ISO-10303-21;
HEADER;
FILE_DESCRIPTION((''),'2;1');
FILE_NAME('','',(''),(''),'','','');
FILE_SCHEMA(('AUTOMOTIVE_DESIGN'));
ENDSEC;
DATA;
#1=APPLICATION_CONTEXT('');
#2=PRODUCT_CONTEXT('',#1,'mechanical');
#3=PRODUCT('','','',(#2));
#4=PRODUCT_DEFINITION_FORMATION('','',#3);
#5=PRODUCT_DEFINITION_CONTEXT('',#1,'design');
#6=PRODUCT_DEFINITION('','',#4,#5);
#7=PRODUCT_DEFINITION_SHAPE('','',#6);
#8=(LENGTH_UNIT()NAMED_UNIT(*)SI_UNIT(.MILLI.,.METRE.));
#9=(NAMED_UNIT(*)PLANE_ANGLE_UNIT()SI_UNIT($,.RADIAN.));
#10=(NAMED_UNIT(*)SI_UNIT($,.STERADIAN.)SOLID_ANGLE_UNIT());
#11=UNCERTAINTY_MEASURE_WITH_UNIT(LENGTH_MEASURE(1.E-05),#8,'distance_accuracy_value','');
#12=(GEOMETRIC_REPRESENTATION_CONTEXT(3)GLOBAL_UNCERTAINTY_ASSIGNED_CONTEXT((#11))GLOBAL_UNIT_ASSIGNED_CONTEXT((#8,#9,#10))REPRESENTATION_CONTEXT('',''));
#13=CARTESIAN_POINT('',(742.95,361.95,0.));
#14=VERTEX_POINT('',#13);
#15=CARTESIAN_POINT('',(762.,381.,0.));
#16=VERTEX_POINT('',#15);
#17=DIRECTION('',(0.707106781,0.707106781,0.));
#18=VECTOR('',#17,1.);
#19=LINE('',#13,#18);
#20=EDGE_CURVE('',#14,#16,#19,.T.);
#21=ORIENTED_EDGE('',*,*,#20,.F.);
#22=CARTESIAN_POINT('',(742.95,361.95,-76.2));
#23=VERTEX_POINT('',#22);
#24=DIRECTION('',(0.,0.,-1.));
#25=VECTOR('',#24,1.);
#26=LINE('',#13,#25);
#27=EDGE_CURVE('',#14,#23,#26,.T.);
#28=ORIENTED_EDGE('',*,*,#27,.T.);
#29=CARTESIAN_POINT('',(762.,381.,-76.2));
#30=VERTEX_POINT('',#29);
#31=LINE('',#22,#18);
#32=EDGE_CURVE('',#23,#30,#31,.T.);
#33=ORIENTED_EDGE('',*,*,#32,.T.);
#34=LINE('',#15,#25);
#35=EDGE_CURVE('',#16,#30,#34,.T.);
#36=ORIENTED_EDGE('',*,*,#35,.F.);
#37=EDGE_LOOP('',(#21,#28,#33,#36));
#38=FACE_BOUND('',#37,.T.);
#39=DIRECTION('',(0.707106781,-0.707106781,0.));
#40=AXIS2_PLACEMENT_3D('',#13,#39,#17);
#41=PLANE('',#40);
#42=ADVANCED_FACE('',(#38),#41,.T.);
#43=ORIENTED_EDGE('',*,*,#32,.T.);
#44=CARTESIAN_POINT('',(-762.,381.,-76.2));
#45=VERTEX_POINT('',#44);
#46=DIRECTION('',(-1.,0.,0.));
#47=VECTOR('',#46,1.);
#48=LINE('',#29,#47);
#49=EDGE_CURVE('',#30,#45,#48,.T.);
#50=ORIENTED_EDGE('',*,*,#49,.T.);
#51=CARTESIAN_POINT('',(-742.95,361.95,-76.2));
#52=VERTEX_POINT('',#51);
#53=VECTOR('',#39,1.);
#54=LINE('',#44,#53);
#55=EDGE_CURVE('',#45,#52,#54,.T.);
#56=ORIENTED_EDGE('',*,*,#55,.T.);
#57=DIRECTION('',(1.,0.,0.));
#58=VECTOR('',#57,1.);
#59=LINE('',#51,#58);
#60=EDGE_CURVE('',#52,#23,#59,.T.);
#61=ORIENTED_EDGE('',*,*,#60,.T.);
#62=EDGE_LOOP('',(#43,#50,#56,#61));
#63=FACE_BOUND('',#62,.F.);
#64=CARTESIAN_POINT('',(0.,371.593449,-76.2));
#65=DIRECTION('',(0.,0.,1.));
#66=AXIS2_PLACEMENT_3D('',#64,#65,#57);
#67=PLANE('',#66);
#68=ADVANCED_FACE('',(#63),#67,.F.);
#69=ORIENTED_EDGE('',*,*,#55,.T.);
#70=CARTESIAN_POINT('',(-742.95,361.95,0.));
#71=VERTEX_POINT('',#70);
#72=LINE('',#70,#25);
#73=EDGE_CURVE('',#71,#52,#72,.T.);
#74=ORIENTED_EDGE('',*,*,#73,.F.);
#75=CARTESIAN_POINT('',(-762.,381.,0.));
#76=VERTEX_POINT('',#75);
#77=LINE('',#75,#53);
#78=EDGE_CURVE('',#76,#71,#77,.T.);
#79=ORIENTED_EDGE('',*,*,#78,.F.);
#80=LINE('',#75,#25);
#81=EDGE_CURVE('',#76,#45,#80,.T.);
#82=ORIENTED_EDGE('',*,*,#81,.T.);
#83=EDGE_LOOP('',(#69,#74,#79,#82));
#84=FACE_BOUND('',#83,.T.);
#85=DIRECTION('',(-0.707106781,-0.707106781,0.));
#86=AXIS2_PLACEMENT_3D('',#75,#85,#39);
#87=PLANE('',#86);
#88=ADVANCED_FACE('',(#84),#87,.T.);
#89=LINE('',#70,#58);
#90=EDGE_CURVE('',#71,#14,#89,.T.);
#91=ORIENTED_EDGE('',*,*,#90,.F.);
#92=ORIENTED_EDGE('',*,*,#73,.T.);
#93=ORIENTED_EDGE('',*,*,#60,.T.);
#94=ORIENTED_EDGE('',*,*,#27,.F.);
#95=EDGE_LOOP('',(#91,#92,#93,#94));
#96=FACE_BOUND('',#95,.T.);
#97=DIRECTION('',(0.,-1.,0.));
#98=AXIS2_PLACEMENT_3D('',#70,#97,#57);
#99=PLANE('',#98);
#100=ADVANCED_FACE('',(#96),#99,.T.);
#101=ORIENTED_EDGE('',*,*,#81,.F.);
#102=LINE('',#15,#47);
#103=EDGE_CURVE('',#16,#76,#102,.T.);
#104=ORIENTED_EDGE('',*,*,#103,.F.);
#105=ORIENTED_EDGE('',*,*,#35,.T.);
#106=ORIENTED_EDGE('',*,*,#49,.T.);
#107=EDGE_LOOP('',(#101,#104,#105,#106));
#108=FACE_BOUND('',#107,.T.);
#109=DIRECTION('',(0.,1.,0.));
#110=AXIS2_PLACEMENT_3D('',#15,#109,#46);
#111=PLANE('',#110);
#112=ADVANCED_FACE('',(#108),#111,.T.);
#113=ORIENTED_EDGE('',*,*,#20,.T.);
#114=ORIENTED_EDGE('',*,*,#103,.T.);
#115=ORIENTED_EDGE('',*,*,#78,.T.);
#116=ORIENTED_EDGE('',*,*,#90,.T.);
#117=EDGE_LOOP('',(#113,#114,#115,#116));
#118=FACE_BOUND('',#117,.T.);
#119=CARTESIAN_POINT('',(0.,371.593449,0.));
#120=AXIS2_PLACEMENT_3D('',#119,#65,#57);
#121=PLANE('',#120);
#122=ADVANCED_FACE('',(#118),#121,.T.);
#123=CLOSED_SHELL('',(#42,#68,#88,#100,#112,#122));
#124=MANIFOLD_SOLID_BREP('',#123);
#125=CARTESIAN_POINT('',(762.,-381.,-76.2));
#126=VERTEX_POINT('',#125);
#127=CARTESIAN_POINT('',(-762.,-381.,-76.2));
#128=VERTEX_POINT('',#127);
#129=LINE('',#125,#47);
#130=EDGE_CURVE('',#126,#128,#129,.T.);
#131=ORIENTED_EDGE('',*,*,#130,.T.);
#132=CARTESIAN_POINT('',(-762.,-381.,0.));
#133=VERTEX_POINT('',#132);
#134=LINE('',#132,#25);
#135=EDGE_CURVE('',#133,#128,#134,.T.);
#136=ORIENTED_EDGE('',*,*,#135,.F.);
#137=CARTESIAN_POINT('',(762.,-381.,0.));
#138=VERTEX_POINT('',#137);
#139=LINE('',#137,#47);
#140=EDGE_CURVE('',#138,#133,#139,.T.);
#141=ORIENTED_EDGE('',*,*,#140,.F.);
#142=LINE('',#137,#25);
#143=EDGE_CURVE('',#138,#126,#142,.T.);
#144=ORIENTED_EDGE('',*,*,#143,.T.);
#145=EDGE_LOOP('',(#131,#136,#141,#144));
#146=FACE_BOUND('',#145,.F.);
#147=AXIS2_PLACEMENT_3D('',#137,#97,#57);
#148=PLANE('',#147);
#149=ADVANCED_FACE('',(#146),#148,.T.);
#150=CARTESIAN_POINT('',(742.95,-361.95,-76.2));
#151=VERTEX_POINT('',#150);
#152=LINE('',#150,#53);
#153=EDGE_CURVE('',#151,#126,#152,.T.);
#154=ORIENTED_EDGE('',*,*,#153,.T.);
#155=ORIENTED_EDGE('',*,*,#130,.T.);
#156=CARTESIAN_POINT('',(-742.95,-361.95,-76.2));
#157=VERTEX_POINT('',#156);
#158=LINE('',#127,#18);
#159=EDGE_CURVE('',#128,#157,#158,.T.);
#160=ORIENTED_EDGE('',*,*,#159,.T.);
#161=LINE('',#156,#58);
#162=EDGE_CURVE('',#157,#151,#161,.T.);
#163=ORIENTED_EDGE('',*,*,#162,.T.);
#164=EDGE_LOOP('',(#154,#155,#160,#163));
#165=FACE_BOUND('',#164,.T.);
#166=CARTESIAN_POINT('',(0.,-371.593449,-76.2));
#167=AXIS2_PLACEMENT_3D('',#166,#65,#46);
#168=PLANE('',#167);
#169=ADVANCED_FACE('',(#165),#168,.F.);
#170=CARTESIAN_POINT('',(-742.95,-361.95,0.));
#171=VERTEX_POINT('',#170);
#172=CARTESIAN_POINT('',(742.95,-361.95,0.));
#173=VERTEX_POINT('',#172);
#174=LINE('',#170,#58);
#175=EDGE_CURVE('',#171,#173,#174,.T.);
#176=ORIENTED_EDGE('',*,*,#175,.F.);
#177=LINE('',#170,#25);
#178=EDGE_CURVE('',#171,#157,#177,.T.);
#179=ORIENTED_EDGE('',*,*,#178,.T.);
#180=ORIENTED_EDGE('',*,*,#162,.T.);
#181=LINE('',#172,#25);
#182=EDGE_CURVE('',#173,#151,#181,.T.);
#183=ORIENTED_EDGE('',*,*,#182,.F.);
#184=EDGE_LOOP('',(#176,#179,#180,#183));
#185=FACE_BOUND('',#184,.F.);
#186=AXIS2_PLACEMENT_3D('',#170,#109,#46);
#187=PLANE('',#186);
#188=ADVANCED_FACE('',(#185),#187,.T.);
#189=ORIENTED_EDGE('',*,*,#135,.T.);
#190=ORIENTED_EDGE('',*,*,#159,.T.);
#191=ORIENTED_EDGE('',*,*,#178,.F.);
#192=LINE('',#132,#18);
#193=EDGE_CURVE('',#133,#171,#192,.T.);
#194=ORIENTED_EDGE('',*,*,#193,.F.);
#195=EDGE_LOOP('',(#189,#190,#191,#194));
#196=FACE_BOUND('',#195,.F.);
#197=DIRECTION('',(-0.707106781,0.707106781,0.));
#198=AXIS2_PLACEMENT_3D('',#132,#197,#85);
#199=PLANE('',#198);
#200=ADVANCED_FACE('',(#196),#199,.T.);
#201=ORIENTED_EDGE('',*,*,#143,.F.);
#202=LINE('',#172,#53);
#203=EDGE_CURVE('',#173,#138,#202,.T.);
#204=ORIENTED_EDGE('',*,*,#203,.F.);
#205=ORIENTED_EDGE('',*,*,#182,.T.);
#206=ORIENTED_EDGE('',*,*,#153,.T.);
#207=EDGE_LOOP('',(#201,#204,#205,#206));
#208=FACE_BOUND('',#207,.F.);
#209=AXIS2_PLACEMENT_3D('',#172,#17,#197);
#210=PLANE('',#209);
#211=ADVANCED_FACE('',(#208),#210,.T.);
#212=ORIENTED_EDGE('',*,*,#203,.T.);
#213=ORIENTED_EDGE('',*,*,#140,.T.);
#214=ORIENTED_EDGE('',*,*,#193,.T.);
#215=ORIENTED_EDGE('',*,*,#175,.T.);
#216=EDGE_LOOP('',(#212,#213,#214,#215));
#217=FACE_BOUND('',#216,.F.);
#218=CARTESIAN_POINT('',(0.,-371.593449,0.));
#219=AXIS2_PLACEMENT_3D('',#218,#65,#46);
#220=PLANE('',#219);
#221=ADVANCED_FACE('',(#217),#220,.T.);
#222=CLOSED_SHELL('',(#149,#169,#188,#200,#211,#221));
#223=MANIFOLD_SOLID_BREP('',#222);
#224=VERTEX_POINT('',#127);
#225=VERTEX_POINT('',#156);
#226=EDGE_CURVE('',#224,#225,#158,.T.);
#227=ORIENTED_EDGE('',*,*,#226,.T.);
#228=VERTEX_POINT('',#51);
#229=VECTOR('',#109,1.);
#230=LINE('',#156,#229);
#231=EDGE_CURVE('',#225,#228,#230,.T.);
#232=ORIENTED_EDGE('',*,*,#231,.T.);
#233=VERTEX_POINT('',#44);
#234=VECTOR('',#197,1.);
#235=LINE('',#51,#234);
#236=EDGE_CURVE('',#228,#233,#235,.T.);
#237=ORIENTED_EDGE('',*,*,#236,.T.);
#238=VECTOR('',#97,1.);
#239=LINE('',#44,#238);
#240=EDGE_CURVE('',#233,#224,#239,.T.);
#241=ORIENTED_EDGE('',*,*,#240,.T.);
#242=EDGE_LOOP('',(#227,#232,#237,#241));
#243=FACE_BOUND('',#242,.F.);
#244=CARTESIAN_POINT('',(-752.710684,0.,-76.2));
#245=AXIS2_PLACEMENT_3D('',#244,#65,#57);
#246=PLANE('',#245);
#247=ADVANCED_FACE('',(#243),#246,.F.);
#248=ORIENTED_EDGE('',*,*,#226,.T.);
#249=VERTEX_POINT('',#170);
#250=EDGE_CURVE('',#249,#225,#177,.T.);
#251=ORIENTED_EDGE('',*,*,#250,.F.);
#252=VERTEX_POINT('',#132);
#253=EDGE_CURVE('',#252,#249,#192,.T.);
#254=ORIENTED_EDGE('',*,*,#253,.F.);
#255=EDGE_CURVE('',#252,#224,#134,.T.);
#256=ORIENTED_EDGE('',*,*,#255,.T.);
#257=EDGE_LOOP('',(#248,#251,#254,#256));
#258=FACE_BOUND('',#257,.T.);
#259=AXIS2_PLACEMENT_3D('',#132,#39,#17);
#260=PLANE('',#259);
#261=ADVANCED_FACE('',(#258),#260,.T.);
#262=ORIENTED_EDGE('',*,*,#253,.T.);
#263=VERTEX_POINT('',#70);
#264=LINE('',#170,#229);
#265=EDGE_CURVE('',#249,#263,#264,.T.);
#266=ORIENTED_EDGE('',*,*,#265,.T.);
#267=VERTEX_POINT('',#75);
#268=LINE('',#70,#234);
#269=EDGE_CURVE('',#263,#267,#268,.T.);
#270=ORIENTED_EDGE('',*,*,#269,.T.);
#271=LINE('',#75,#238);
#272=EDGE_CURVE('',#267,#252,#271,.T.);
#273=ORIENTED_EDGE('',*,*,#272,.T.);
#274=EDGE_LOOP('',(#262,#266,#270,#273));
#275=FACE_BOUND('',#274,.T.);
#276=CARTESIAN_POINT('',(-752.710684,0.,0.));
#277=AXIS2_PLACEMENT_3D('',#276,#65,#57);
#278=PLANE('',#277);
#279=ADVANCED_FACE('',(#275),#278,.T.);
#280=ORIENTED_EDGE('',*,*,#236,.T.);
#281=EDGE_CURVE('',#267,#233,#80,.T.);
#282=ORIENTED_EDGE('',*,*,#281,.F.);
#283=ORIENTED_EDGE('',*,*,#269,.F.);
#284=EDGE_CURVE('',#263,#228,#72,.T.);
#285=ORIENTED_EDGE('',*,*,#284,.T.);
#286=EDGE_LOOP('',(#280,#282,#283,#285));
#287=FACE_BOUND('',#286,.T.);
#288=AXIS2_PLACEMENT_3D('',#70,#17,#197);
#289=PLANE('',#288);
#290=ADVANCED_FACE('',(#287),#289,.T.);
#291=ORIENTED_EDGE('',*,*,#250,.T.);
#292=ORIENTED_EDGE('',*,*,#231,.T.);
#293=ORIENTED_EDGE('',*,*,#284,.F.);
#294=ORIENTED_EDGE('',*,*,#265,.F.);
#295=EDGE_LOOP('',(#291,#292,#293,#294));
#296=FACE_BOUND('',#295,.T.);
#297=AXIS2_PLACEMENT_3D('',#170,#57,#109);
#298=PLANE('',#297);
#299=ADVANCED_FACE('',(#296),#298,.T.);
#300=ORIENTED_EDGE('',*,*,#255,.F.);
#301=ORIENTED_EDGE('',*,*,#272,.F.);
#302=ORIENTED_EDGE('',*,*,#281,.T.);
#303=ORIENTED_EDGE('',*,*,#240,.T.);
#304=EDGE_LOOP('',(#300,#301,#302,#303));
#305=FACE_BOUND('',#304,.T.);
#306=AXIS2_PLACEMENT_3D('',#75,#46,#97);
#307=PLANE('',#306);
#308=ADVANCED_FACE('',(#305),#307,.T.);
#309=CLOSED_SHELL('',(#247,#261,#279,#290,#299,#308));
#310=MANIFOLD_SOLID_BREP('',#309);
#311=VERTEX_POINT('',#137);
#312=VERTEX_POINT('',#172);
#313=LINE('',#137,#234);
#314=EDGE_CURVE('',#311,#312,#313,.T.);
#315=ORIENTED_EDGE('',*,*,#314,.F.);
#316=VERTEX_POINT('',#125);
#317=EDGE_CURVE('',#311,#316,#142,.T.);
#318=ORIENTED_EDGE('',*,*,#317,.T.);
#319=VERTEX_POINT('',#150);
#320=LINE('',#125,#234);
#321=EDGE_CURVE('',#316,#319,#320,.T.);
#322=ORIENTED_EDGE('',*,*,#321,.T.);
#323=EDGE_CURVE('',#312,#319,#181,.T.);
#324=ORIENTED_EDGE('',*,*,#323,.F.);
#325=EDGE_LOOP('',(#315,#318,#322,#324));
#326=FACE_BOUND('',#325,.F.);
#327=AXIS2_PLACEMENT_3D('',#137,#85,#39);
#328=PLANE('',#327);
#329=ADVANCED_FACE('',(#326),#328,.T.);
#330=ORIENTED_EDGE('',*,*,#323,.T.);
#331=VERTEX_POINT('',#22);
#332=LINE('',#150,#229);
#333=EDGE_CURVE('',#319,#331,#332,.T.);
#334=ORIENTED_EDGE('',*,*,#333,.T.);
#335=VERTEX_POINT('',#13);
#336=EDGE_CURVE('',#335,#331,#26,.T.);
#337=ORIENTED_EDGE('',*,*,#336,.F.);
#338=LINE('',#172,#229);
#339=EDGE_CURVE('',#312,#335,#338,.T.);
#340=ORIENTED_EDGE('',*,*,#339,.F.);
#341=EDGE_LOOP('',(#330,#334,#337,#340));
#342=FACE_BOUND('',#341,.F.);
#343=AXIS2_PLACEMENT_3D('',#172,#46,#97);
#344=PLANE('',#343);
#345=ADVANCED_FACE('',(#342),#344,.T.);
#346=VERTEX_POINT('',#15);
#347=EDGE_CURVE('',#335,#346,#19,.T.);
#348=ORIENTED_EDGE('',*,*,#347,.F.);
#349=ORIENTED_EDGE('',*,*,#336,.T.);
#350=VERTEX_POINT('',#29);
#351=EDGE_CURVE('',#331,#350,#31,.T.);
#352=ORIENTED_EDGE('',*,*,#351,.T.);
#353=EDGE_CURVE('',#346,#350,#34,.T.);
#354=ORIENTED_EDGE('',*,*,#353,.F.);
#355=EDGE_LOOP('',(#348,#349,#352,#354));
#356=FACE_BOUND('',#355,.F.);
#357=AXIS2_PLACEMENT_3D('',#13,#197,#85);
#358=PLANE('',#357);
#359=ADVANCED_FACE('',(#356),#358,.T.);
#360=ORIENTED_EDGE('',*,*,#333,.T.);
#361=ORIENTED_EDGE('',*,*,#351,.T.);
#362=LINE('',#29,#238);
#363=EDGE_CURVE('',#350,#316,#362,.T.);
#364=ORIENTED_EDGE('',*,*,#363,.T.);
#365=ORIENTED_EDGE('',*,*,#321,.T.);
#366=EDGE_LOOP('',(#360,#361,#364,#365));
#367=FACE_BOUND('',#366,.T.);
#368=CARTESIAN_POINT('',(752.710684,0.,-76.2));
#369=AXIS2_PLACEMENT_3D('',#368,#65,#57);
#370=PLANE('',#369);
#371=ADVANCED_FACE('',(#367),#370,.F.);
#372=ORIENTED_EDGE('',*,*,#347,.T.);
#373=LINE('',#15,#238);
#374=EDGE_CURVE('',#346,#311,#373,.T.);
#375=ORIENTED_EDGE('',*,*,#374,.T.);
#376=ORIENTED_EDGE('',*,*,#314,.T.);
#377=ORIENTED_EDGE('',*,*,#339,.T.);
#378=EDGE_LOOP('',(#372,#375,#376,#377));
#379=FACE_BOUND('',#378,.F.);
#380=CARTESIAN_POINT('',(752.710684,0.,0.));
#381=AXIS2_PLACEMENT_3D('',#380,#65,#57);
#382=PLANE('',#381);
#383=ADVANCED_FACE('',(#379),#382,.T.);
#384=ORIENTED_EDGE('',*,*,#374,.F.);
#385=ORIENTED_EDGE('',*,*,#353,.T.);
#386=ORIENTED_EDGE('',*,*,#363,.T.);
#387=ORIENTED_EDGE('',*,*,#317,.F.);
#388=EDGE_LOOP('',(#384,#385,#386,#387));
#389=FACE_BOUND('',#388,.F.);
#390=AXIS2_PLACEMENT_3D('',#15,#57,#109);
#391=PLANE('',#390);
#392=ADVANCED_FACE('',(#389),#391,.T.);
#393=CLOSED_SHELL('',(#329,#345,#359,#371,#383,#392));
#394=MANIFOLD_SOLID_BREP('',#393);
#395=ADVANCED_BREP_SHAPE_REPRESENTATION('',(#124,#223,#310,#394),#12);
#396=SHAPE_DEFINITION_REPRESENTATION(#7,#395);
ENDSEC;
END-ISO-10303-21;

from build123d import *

# Parameters (mm, degrees)
F2_DEPTH = 76.2
F3_DEPTH = 76.2


with BuildPart() as f2:
    # F1 (on Top) → F2 (new body)
    with BuildSketch(Plane.XY):
        Polygon((-762, 381), (-762, -381), (-742.95, -361.95), (-742.95, 361.95), align=None)
    extrude(amount=-F2_DEPTH)


with BuildPart() as f3:
    # F1 (on Top) → F3 (new body)
    with BuildSketch(Plane.XY):
        Polygon((742.95, 361.95), (762, 381), (-762, 381), (-742.95, 361.95), align=None)
    extrude(amount=-F3_DEPTH)


with BuildPart() as f4_1:
    # F4: instance of F3
    add(f3.part.mirror(Plane.XZ))


with BuildPart() as f5_1:
    # F5: instance of F2
    add(f2.part.mirror(Plane.YZ))


solid = Compound([f2.part, f3.part, f4_1.part, f5_1.part])
